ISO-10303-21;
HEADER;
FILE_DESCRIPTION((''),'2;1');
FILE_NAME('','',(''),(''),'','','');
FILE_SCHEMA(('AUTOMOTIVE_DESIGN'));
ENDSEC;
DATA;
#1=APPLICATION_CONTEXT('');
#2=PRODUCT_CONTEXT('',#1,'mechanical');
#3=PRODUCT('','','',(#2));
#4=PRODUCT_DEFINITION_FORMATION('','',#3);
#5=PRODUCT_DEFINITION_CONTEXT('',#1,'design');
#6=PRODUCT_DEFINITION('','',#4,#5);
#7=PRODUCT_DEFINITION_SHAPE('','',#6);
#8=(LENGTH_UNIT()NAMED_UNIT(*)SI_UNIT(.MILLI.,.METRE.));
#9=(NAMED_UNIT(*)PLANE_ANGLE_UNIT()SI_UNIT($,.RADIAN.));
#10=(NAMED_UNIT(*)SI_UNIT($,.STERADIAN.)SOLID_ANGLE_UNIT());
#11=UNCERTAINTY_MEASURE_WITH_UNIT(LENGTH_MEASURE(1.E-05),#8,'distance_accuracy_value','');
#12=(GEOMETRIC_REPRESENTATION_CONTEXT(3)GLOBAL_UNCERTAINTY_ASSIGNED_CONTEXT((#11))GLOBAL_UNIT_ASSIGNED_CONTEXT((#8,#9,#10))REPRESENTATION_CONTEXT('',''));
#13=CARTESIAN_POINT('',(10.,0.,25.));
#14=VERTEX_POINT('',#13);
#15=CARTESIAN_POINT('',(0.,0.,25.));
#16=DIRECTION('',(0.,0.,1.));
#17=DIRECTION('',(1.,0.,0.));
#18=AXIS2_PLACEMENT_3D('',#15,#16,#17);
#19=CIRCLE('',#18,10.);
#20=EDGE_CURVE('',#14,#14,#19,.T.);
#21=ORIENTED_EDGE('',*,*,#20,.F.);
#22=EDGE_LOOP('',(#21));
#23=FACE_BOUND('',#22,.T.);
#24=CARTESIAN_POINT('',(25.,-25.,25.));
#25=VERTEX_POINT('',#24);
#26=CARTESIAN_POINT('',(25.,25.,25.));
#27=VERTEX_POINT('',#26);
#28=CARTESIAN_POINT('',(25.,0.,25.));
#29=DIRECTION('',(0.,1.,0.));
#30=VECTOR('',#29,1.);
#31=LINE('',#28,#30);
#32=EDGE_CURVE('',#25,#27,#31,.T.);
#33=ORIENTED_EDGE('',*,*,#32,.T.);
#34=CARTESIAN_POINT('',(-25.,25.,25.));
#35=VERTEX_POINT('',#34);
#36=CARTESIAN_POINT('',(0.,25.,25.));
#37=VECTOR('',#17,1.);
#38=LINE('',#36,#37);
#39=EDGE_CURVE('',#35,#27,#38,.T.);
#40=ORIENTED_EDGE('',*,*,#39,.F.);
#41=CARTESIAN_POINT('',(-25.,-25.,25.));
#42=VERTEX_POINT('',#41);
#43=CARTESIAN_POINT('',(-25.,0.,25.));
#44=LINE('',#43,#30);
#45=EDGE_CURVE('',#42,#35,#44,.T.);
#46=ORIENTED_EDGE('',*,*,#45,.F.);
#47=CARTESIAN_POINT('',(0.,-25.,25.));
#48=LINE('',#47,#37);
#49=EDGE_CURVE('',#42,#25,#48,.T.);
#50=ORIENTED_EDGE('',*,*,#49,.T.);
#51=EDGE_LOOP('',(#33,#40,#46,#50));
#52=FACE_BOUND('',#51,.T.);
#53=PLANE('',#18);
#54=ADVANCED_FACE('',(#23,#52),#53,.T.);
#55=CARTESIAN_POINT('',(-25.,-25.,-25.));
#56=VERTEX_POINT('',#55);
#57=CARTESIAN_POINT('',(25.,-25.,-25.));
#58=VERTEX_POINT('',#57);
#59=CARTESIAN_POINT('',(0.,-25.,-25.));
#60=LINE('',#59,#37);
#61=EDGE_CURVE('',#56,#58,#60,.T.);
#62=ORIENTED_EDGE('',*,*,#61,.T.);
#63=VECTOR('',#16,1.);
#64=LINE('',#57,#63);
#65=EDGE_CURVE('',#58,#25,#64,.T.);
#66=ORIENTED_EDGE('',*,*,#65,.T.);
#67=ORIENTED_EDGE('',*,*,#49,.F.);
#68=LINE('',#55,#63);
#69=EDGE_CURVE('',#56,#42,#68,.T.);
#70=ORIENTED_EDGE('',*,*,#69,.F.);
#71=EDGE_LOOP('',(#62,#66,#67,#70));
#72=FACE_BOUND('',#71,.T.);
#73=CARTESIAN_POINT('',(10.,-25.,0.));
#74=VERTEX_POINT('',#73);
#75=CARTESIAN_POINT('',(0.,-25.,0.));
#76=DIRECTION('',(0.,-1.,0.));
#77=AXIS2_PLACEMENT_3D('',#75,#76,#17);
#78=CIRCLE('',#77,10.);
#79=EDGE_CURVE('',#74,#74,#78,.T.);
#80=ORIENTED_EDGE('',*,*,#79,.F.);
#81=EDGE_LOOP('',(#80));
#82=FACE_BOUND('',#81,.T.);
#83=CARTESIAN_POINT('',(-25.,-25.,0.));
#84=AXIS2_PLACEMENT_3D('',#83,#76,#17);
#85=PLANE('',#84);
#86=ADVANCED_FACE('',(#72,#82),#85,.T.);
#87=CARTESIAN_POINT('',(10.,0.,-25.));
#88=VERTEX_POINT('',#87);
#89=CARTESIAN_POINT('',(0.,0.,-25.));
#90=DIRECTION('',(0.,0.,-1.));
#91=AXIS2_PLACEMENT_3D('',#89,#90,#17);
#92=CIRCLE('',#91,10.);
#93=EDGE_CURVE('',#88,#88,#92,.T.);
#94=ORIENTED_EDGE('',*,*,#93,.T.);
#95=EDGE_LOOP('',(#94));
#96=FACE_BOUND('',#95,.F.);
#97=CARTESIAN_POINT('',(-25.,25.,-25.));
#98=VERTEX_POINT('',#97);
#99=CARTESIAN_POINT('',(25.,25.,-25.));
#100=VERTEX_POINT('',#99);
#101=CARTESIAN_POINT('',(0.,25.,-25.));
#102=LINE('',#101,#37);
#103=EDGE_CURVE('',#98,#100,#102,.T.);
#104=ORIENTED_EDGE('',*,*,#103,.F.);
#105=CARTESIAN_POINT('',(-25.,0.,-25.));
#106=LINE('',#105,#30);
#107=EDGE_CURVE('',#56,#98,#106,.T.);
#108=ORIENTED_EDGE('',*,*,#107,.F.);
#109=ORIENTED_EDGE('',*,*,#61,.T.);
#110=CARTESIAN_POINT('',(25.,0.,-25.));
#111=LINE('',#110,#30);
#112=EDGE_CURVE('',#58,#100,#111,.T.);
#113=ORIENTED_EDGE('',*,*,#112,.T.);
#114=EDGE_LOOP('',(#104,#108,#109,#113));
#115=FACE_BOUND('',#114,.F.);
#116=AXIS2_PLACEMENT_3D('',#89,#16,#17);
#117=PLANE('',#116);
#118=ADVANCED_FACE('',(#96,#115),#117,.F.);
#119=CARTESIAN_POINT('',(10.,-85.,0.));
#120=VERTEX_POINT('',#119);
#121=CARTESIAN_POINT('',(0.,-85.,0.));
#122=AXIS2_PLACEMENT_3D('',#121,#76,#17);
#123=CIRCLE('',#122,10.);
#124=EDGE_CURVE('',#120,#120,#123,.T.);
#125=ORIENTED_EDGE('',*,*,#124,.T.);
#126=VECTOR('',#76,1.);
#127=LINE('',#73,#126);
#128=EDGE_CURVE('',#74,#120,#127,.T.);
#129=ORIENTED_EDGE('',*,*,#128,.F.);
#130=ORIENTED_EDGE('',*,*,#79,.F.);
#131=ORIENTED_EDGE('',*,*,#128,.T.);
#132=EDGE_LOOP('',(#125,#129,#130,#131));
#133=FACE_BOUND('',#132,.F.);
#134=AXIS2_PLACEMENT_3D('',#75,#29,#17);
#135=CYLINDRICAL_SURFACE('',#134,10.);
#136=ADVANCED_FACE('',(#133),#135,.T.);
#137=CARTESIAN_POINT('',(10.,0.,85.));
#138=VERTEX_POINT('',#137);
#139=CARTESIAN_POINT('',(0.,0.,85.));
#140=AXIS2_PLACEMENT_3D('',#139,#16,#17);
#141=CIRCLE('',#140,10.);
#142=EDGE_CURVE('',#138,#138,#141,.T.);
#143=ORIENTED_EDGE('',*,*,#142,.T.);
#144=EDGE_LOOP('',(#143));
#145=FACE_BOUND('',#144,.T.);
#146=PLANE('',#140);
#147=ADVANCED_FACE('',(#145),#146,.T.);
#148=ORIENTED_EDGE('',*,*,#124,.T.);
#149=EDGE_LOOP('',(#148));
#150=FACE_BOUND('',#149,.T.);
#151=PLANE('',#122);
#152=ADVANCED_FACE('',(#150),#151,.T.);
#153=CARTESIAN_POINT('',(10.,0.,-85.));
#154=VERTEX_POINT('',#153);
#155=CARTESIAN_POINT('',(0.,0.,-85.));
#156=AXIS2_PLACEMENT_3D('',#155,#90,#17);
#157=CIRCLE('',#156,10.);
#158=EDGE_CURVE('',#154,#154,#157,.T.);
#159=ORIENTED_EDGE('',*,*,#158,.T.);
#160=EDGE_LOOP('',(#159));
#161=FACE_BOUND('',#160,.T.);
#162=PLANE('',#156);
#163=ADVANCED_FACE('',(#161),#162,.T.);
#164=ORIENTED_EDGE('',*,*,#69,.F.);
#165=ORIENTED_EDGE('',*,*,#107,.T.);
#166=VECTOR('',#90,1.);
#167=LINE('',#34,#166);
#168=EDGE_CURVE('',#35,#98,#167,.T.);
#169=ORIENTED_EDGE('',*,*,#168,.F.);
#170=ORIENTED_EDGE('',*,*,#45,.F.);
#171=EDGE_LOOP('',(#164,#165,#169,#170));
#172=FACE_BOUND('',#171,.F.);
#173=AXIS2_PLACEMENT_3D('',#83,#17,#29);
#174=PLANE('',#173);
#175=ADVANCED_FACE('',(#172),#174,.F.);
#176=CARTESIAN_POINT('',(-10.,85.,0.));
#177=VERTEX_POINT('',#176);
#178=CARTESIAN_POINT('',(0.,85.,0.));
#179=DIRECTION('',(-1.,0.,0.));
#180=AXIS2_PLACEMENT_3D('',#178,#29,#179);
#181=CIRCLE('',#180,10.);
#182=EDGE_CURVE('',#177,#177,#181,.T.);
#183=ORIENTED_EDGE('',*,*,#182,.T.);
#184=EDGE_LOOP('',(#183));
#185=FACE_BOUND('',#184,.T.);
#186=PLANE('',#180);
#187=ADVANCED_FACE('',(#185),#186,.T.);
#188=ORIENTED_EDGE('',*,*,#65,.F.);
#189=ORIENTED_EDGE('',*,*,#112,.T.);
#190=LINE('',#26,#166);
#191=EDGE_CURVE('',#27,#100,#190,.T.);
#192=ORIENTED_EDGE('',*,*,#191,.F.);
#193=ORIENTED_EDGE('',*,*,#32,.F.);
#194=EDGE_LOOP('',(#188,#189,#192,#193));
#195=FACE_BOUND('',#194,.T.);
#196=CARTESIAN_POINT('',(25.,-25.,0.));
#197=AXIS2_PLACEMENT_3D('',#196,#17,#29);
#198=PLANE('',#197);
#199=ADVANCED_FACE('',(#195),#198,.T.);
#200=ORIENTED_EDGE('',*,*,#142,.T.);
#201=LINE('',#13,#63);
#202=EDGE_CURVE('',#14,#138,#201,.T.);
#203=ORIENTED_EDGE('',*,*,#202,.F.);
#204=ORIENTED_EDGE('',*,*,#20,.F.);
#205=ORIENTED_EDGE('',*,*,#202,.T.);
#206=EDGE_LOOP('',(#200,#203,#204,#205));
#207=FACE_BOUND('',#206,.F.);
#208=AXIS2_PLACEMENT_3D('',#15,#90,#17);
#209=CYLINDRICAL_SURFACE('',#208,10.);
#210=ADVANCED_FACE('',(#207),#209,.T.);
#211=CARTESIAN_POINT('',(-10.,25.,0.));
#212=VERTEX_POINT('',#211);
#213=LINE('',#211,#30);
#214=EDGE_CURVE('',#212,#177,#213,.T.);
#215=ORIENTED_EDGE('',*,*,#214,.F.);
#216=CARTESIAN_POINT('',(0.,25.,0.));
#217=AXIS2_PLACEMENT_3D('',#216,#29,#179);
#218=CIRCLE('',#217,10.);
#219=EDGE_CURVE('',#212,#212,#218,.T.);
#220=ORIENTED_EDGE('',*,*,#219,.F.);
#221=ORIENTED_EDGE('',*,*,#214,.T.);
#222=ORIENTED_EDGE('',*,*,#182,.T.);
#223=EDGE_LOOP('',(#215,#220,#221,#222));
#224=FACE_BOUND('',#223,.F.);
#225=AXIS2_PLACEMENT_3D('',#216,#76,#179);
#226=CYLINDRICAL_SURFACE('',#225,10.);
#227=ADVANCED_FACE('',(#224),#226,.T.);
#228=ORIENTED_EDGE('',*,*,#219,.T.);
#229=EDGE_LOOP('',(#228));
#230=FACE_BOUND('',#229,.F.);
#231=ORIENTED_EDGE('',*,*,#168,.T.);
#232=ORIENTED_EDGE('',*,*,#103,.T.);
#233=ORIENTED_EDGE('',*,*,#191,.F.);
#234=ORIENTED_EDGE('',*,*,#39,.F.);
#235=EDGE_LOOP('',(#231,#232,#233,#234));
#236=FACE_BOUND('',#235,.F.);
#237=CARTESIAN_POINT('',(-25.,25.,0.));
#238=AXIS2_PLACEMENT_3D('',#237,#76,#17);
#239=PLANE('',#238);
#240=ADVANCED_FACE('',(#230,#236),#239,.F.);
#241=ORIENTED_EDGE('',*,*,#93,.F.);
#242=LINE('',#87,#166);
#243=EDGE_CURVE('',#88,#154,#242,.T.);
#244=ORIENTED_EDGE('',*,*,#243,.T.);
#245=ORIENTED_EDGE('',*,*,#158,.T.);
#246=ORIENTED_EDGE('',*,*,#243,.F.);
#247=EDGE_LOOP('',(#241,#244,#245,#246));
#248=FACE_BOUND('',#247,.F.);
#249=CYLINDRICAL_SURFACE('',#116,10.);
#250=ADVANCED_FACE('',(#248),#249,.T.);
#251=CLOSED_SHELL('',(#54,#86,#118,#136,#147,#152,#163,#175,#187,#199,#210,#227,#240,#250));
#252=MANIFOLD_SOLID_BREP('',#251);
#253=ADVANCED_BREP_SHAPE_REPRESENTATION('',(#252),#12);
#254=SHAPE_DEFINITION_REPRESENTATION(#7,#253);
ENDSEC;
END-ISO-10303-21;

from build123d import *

# Parameters (mm, degrees)
F0_W          = 50
F0_H          = 50
F1_DEPTH      = 25
F1_DEPTH_BACK = 25
F2_R          = 10
F3_DEPTH      = 60
F4_R          = 10
F5_DEPTH      = 60
F6_R          = 10
F7_DEPTH      = 60
F8_R          = 10
F9_DEPTH      = 60


with BuildPart() as f1:
    # F0 (on Top) → F1 (new body, two sides)
    with BuildSketch(Plane.XY) as f1_sk:
        Rectangle(F0_W, F0_H)
    extrude(amount=F1_DEPTH)
    extrude(f1_sk.sketch, amount=-F1_DEPTH_BACK)

    # F2 (on face) → F3 (join)
    with BuildSketch(Plane.XZ.offset(25)):
        Circle(F2_R)
    extrude(amount=F3_DEPTH)

    # F4 (on face) → F5 (join)
    with BuildSketch(Plane(origin=(0, 0, -25), x_dir=(1, 0, 0), z_dir=(0, 0, -1))):
        Circle(F4_R)
    extrude(amount=F5_DEPTH)

    # F6 (on face) → F7 (join)
    with BuildSketch(Plane.XY.offset(25)):
        Circle(F6_R)
    extrude(amount=F7_DEPTH)

    # F8 (on face) → F9 (join)
    with BuildSketch(Plane(origin=(0, 25, 0), x_dir=(-1, 0, 0), z_dir=(0, 1, 0))):
        Circle(F8_R)
    extrude(amount=F9_DEPTH)


solid = f1.part
